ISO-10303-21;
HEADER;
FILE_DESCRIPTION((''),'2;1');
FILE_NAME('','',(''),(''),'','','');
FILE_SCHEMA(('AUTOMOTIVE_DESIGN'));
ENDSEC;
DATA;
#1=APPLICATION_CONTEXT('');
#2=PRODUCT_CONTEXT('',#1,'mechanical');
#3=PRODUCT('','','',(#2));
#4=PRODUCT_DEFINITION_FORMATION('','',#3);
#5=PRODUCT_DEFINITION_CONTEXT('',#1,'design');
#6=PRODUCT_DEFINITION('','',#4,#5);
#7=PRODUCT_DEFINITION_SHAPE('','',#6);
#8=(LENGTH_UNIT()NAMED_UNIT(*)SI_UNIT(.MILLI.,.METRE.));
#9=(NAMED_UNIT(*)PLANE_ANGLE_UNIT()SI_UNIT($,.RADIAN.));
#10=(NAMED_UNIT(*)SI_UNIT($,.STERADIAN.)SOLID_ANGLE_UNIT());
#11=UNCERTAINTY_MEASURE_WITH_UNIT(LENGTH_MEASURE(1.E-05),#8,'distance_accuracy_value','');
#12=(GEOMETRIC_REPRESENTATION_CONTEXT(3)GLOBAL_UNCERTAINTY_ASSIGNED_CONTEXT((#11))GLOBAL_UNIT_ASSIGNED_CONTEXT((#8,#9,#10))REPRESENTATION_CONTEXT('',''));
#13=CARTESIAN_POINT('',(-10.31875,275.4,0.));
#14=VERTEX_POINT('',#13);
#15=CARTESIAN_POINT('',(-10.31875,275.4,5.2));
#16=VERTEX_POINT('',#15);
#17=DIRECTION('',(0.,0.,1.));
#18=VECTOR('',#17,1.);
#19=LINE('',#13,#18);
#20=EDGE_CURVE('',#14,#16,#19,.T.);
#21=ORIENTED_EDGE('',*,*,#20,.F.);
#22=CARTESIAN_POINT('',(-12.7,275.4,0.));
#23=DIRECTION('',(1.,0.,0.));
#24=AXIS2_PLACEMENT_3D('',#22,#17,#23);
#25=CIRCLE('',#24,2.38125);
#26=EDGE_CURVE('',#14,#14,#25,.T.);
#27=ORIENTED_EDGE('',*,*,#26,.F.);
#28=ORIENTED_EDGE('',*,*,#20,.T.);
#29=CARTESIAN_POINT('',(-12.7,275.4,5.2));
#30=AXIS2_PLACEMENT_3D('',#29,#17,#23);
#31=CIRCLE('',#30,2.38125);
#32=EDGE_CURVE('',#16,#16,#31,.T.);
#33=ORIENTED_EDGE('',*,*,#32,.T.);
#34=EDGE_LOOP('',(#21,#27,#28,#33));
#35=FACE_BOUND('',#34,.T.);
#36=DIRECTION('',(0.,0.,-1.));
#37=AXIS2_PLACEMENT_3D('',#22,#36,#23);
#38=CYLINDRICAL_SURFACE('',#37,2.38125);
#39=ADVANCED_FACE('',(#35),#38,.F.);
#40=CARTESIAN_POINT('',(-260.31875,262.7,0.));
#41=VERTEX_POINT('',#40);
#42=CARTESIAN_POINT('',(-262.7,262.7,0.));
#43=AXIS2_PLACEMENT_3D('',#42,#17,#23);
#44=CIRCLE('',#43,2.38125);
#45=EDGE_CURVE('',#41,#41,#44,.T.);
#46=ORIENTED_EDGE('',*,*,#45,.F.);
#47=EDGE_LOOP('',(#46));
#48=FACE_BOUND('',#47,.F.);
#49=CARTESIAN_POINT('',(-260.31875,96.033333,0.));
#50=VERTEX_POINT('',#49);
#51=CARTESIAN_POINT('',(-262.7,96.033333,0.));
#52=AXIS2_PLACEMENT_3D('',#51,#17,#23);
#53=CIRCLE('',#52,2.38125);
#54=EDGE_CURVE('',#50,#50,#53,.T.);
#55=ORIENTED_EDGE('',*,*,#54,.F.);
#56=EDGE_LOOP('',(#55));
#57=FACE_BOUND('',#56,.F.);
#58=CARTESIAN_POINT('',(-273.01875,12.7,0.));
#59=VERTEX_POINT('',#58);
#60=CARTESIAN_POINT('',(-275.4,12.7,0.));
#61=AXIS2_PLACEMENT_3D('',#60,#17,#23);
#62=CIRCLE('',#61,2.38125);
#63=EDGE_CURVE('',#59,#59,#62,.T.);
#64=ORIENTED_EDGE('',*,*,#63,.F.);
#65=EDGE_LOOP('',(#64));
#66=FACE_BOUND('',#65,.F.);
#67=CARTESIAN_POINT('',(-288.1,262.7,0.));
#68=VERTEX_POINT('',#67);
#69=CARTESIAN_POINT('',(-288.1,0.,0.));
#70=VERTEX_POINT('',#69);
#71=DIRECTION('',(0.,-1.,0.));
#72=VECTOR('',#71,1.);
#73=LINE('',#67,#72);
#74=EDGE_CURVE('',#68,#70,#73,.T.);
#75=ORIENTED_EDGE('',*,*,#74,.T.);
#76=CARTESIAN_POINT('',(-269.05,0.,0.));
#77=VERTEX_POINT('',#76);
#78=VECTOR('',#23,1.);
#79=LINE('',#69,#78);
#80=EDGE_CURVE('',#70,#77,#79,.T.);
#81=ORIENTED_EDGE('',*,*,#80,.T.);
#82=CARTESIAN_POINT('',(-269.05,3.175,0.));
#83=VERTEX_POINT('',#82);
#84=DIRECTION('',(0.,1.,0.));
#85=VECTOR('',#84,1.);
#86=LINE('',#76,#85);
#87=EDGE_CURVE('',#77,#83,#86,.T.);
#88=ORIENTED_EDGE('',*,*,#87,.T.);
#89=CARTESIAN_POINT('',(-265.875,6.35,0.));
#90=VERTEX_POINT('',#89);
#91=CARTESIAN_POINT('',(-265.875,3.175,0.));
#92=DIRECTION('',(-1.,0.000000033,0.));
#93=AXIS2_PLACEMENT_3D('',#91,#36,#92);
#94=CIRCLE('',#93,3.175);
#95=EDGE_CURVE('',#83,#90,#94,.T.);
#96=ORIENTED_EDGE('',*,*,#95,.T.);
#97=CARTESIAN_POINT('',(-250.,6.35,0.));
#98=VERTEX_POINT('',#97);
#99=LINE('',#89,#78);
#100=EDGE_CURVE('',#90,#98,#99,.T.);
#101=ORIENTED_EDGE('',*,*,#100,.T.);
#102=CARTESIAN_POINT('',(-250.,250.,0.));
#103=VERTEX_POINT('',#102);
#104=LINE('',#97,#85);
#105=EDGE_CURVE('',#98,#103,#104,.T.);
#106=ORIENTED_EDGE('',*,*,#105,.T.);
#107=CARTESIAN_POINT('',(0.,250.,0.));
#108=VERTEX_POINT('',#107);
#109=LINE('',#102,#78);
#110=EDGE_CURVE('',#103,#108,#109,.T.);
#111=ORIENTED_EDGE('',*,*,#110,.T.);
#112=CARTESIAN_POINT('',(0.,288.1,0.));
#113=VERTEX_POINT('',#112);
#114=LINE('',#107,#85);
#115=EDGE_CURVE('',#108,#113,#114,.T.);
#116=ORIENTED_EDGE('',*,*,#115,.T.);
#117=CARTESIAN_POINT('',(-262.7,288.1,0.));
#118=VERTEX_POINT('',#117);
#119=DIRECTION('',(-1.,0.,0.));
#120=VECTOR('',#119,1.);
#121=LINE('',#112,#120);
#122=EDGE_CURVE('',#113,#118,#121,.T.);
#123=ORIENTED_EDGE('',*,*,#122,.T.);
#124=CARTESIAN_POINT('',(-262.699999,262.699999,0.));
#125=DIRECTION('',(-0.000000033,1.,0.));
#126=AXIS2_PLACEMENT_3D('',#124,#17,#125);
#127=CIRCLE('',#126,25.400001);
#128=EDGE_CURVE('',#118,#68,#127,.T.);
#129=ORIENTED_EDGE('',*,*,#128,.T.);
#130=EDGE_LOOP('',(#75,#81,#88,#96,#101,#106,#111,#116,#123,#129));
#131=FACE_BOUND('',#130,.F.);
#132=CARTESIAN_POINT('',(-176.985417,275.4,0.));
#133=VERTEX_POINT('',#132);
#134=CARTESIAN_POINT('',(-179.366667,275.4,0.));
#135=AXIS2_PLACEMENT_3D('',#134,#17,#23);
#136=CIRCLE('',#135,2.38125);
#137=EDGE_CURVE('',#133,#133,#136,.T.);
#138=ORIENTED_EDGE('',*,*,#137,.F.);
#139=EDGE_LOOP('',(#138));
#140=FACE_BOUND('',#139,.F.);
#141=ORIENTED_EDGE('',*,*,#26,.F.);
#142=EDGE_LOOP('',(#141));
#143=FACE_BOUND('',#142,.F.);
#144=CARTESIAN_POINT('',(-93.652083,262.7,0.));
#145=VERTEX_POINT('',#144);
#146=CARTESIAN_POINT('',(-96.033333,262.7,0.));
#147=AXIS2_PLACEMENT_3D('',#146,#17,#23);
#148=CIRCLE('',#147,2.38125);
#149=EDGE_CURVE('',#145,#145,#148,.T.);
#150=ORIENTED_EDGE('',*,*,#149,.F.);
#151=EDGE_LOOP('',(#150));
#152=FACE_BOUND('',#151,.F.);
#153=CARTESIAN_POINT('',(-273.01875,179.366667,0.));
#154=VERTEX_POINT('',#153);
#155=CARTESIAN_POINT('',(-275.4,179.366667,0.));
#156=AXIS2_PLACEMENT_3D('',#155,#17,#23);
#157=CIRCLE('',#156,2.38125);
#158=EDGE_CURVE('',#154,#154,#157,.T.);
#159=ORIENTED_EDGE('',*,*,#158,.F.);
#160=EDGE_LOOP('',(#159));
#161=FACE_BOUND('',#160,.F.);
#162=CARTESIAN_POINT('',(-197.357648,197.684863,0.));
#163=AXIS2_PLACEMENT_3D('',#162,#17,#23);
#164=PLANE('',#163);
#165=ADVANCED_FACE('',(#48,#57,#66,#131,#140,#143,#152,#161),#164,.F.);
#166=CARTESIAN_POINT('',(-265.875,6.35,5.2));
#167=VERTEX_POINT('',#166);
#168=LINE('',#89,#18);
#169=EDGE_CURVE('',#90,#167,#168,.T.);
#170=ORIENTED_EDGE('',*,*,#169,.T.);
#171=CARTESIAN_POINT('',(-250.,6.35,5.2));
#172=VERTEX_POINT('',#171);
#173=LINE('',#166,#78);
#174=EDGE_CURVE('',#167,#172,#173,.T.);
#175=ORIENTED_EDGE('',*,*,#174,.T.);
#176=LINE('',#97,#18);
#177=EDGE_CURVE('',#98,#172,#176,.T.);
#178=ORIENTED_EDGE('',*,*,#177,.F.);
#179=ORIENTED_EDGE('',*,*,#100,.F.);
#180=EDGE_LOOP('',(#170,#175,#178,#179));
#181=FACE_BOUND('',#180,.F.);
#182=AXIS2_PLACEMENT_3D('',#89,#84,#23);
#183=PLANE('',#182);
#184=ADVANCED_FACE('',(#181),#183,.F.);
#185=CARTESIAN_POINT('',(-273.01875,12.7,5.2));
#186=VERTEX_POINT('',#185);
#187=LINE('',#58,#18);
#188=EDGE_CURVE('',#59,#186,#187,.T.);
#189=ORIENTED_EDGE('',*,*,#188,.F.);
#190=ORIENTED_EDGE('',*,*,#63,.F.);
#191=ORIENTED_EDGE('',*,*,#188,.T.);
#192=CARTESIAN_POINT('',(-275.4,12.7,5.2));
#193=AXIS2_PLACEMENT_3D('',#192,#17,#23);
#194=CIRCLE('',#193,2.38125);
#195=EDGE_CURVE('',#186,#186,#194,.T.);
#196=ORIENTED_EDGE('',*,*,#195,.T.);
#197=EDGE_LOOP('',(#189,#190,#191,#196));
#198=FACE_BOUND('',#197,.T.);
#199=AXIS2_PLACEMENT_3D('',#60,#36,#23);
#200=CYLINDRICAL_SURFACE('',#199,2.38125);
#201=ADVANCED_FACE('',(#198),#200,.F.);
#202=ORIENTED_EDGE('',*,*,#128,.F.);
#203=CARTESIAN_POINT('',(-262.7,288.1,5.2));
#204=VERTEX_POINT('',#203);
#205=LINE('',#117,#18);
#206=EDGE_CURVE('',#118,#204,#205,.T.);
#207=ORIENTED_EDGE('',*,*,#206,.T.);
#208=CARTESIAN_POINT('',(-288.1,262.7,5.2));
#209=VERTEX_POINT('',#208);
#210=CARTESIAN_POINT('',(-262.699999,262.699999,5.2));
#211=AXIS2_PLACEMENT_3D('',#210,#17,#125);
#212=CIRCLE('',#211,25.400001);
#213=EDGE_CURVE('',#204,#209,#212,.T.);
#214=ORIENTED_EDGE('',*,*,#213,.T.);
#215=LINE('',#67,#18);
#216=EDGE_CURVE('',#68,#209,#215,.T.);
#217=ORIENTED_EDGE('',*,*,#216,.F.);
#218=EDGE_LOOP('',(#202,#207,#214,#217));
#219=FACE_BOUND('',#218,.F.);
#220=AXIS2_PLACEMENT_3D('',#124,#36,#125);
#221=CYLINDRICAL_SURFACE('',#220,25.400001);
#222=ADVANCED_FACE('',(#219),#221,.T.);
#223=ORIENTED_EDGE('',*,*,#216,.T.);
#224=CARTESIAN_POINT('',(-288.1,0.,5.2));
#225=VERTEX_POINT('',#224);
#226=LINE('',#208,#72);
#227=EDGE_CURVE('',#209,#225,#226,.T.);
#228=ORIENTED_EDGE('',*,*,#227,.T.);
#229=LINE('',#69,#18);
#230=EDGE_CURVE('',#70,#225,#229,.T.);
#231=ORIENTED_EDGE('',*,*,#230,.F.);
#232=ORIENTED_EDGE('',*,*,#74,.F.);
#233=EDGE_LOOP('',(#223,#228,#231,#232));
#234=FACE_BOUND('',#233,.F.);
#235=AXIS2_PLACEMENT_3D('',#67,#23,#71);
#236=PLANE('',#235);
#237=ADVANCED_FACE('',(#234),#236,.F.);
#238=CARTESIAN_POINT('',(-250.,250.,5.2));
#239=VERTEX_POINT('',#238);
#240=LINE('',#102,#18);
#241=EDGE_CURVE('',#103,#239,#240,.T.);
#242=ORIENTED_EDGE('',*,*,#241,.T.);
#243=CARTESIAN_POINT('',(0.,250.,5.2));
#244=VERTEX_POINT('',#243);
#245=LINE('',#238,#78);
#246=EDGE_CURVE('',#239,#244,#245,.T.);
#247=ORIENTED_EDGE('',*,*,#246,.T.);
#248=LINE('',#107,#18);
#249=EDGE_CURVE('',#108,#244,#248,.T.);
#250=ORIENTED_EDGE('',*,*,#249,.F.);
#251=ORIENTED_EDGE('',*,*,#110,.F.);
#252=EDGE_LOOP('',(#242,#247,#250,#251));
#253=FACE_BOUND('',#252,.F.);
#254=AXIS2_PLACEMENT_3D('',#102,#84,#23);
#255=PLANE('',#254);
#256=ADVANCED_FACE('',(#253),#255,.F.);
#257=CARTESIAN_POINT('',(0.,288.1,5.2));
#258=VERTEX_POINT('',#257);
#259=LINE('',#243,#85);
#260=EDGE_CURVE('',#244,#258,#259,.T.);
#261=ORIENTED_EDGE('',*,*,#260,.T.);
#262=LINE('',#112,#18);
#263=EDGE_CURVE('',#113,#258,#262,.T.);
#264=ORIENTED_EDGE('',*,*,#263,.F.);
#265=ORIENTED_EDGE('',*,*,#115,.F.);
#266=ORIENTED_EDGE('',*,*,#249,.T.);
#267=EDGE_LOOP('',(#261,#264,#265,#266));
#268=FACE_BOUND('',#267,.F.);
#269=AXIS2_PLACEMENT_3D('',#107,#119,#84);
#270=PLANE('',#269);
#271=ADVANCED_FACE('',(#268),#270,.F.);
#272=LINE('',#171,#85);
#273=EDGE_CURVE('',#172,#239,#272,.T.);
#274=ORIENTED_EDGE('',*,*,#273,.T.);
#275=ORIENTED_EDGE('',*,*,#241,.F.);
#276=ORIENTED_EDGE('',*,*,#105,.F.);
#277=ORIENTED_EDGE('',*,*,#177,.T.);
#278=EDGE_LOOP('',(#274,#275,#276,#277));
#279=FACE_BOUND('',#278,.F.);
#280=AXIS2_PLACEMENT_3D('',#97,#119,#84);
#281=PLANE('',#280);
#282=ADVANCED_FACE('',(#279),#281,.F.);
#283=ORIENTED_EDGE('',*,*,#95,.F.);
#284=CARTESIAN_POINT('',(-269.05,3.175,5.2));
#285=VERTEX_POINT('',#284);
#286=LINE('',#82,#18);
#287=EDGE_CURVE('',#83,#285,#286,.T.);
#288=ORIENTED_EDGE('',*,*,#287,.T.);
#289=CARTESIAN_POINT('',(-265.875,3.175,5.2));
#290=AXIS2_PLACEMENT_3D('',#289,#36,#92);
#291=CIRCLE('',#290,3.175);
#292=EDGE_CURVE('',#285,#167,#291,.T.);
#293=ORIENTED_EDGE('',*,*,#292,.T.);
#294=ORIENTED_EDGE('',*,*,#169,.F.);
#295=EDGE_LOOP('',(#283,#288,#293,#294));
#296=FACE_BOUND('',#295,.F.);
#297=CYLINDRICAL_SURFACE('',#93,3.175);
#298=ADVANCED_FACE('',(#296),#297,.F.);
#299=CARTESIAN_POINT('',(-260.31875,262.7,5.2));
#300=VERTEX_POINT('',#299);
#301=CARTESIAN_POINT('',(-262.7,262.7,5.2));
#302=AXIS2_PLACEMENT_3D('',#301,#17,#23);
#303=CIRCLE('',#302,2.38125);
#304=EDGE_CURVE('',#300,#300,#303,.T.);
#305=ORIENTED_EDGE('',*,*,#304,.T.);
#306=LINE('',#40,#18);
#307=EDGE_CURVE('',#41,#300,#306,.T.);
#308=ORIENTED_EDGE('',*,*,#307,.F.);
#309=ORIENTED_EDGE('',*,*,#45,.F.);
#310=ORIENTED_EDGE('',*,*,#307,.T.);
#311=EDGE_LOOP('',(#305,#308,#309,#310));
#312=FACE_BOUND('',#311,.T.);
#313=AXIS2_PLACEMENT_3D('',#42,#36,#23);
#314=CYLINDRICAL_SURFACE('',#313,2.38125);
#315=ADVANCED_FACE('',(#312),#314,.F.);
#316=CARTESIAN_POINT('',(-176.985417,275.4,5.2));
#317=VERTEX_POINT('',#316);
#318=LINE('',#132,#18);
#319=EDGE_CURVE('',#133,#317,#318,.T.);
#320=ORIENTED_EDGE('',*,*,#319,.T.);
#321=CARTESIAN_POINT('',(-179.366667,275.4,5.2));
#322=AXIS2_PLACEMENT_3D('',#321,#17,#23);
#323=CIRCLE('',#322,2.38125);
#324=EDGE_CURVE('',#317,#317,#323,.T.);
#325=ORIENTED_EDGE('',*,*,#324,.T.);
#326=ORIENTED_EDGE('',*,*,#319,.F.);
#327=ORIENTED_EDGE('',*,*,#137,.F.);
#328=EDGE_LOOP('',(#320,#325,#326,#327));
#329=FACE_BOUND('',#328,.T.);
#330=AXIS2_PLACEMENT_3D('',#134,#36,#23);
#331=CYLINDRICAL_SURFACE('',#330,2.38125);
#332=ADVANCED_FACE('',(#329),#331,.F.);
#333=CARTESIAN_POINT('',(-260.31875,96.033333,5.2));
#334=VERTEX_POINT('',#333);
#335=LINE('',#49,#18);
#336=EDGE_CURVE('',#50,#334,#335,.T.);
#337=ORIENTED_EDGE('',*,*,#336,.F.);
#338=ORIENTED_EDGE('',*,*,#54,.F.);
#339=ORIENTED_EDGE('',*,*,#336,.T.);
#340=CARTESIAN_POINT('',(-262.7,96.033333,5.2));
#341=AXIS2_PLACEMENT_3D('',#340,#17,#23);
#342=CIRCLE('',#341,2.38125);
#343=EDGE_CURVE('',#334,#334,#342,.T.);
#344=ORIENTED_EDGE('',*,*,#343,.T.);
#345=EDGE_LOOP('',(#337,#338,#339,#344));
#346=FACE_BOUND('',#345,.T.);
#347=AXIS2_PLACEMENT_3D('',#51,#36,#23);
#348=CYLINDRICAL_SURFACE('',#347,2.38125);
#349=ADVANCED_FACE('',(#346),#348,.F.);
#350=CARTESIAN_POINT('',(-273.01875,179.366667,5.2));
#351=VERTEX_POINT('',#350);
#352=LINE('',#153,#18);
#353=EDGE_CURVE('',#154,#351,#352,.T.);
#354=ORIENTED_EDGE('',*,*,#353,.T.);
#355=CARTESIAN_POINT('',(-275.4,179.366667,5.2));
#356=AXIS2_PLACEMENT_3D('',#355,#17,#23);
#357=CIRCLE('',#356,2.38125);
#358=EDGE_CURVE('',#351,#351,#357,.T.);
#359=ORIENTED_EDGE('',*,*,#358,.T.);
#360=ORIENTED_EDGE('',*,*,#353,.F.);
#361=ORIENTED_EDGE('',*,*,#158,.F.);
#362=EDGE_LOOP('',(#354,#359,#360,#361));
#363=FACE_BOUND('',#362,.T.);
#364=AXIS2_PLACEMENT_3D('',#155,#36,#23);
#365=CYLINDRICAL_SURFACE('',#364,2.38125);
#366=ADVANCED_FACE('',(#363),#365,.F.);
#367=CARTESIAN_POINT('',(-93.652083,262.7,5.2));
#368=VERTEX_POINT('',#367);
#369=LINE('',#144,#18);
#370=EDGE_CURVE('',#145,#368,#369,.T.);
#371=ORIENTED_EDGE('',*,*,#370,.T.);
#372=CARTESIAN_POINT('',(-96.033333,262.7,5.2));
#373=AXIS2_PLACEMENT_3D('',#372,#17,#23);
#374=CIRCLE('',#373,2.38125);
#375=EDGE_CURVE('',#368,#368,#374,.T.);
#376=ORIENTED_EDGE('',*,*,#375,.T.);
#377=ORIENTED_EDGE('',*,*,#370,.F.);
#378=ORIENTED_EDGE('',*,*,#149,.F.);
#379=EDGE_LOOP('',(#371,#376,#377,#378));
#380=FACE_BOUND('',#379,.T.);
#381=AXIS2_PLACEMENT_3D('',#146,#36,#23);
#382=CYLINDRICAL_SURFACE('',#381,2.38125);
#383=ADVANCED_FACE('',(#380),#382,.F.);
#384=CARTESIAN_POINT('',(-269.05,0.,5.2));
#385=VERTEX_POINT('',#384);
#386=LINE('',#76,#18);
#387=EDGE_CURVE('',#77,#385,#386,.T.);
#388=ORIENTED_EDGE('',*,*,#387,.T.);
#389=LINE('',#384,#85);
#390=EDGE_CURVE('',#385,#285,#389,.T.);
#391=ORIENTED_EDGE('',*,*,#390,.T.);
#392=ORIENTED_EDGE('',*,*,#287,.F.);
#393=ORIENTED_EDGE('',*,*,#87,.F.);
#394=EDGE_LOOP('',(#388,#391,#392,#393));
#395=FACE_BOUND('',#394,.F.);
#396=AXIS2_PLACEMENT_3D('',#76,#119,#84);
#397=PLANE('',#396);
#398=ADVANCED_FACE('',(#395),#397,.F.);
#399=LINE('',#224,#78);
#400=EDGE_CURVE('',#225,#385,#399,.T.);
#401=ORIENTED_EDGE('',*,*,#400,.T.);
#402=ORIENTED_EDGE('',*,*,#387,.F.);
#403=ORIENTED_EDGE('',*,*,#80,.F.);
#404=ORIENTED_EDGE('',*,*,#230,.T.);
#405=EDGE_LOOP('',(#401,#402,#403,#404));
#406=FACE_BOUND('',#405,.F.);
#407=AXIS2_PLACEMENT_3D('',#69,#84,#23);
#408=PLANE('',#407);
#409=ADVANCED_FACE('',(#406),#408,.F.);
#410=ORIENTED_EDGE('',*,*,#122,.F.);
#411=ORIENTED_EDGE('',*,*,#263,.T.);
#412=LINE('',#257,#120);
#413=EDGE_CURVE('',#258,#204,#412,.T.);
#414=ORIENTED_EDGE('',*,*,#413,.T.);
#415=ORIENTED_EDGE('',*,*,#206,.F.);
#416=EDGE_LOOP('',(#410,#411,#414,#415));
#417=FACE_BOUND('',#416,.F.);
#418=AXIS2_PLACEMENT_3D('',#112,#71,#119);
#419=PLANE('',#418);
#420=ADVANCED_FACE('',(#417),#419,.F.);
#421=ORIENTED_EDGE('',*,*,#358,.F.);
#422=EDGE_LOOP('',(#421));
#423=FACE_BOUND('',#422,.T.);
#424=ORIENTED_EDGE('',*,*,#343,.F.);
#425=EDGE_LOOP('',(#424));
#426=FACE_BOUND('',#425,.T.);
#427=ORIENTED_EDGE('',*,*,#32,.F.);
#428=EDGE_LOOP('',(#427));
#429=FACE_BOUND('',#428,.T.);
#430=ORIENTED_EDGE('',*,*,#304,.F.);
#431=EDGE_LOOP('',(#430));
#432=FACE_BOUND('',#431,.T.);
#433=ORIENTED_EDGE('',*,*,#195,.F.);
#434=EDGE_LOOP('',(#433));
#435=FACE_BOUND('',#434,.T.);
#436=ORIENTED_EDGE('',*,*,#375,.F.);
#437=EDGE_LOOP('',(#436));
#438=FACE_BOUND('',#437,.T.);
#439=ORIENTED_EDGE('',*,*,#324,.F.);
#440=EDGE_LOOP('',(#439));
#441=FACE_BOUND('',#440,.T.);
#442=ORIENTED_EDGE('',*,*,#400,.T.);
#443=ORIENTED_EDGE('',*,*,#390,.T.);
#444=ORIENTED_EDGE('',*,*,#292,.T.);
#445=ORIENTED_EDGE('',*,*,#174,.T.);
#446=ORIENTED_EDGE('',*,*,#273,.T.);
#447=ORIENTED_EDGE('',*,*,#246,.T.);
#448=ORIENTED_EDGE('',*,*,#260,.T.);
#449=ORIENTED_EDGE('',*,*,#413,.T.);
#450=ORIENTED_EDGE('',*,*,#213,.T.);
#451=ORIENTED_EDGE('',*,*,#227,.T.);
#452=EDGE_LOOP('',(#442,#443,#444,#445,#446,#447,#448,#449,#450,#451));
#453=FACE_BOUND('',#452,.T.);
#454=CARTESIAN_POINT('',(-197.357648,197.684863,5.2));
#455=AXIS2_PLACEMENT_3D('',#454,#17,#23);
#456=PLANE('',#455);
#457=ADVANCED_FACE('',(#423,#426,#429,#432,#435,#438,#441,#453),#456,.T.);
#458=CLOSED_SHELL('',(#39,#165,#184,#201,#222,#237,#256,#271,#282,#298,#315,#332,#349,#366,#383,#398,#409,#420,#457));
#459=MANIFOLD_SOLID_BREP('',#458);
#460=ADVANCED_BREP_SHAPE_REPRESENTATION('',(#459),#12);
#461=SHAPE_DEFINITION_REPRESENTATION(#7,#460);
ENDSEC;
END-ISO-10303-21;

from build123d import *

# Parameters (mm, degrees)
F1_R     = 2.38125
F2_DEPTH = 5.2


with BuildPart() as f2:
    # F1 (on Top) → F2 (new body)
    with BuildSketch(Plane.XY):
        with BuildLine():
            Line((-250, 6.35), (-250, 250))
            Line((-250, 250), (0, 250))
            Line((0, 250), (0, 288.1))
            Line((0, 288.1), (-262.7, 288.1))
            ThreePointArc((-262.7, 288.1), (-280.660512, 280.660512), (-288.1, 262.7))
            Line((-288.1, 262.7), (-288.1, 0))
            Line((-288.1, 0), (-269.05, 0))
            Line((-269.05, 0), (-269.05, 3.175))
            ThreePointArc((-269.05, 3.175), (-268.120064, 5.420064), (-265.875, 6.35))
            Line((-265.875, 6.35), (-250, 6.35))
        make_face()
        with Locations((-275.4, 12.7)):
            Circle(F1_R, mode=Mode.SUBTRACT)
        with Locations((-262.7, 96.033333)):
            Circle(F1_R, mode=Mode.SUBTRACT)
        with Locations((-275.4, 179.366667)):
            Circle(F1_R, mode=Mode.SUBTRACT)
        with Locations((-262.7, 262.7)):
            Circle(F1_R, mode=Mode.SUBTRACT)
        with Locations((-179.366667, 275.4)):
            Circle(F1_R, mode=Mode.SUBTRACT)
        with Locations((-96.033333, 262.7)):
            Circle(F1_R, mode=Mode.SUBTRACT)
        with Locations((-12.7, 275.4)):
            Circle(F1_R, mode=Mode.SUBTRACT)
    extrude(amount=F2_DEPTH)


solid = f2.part
